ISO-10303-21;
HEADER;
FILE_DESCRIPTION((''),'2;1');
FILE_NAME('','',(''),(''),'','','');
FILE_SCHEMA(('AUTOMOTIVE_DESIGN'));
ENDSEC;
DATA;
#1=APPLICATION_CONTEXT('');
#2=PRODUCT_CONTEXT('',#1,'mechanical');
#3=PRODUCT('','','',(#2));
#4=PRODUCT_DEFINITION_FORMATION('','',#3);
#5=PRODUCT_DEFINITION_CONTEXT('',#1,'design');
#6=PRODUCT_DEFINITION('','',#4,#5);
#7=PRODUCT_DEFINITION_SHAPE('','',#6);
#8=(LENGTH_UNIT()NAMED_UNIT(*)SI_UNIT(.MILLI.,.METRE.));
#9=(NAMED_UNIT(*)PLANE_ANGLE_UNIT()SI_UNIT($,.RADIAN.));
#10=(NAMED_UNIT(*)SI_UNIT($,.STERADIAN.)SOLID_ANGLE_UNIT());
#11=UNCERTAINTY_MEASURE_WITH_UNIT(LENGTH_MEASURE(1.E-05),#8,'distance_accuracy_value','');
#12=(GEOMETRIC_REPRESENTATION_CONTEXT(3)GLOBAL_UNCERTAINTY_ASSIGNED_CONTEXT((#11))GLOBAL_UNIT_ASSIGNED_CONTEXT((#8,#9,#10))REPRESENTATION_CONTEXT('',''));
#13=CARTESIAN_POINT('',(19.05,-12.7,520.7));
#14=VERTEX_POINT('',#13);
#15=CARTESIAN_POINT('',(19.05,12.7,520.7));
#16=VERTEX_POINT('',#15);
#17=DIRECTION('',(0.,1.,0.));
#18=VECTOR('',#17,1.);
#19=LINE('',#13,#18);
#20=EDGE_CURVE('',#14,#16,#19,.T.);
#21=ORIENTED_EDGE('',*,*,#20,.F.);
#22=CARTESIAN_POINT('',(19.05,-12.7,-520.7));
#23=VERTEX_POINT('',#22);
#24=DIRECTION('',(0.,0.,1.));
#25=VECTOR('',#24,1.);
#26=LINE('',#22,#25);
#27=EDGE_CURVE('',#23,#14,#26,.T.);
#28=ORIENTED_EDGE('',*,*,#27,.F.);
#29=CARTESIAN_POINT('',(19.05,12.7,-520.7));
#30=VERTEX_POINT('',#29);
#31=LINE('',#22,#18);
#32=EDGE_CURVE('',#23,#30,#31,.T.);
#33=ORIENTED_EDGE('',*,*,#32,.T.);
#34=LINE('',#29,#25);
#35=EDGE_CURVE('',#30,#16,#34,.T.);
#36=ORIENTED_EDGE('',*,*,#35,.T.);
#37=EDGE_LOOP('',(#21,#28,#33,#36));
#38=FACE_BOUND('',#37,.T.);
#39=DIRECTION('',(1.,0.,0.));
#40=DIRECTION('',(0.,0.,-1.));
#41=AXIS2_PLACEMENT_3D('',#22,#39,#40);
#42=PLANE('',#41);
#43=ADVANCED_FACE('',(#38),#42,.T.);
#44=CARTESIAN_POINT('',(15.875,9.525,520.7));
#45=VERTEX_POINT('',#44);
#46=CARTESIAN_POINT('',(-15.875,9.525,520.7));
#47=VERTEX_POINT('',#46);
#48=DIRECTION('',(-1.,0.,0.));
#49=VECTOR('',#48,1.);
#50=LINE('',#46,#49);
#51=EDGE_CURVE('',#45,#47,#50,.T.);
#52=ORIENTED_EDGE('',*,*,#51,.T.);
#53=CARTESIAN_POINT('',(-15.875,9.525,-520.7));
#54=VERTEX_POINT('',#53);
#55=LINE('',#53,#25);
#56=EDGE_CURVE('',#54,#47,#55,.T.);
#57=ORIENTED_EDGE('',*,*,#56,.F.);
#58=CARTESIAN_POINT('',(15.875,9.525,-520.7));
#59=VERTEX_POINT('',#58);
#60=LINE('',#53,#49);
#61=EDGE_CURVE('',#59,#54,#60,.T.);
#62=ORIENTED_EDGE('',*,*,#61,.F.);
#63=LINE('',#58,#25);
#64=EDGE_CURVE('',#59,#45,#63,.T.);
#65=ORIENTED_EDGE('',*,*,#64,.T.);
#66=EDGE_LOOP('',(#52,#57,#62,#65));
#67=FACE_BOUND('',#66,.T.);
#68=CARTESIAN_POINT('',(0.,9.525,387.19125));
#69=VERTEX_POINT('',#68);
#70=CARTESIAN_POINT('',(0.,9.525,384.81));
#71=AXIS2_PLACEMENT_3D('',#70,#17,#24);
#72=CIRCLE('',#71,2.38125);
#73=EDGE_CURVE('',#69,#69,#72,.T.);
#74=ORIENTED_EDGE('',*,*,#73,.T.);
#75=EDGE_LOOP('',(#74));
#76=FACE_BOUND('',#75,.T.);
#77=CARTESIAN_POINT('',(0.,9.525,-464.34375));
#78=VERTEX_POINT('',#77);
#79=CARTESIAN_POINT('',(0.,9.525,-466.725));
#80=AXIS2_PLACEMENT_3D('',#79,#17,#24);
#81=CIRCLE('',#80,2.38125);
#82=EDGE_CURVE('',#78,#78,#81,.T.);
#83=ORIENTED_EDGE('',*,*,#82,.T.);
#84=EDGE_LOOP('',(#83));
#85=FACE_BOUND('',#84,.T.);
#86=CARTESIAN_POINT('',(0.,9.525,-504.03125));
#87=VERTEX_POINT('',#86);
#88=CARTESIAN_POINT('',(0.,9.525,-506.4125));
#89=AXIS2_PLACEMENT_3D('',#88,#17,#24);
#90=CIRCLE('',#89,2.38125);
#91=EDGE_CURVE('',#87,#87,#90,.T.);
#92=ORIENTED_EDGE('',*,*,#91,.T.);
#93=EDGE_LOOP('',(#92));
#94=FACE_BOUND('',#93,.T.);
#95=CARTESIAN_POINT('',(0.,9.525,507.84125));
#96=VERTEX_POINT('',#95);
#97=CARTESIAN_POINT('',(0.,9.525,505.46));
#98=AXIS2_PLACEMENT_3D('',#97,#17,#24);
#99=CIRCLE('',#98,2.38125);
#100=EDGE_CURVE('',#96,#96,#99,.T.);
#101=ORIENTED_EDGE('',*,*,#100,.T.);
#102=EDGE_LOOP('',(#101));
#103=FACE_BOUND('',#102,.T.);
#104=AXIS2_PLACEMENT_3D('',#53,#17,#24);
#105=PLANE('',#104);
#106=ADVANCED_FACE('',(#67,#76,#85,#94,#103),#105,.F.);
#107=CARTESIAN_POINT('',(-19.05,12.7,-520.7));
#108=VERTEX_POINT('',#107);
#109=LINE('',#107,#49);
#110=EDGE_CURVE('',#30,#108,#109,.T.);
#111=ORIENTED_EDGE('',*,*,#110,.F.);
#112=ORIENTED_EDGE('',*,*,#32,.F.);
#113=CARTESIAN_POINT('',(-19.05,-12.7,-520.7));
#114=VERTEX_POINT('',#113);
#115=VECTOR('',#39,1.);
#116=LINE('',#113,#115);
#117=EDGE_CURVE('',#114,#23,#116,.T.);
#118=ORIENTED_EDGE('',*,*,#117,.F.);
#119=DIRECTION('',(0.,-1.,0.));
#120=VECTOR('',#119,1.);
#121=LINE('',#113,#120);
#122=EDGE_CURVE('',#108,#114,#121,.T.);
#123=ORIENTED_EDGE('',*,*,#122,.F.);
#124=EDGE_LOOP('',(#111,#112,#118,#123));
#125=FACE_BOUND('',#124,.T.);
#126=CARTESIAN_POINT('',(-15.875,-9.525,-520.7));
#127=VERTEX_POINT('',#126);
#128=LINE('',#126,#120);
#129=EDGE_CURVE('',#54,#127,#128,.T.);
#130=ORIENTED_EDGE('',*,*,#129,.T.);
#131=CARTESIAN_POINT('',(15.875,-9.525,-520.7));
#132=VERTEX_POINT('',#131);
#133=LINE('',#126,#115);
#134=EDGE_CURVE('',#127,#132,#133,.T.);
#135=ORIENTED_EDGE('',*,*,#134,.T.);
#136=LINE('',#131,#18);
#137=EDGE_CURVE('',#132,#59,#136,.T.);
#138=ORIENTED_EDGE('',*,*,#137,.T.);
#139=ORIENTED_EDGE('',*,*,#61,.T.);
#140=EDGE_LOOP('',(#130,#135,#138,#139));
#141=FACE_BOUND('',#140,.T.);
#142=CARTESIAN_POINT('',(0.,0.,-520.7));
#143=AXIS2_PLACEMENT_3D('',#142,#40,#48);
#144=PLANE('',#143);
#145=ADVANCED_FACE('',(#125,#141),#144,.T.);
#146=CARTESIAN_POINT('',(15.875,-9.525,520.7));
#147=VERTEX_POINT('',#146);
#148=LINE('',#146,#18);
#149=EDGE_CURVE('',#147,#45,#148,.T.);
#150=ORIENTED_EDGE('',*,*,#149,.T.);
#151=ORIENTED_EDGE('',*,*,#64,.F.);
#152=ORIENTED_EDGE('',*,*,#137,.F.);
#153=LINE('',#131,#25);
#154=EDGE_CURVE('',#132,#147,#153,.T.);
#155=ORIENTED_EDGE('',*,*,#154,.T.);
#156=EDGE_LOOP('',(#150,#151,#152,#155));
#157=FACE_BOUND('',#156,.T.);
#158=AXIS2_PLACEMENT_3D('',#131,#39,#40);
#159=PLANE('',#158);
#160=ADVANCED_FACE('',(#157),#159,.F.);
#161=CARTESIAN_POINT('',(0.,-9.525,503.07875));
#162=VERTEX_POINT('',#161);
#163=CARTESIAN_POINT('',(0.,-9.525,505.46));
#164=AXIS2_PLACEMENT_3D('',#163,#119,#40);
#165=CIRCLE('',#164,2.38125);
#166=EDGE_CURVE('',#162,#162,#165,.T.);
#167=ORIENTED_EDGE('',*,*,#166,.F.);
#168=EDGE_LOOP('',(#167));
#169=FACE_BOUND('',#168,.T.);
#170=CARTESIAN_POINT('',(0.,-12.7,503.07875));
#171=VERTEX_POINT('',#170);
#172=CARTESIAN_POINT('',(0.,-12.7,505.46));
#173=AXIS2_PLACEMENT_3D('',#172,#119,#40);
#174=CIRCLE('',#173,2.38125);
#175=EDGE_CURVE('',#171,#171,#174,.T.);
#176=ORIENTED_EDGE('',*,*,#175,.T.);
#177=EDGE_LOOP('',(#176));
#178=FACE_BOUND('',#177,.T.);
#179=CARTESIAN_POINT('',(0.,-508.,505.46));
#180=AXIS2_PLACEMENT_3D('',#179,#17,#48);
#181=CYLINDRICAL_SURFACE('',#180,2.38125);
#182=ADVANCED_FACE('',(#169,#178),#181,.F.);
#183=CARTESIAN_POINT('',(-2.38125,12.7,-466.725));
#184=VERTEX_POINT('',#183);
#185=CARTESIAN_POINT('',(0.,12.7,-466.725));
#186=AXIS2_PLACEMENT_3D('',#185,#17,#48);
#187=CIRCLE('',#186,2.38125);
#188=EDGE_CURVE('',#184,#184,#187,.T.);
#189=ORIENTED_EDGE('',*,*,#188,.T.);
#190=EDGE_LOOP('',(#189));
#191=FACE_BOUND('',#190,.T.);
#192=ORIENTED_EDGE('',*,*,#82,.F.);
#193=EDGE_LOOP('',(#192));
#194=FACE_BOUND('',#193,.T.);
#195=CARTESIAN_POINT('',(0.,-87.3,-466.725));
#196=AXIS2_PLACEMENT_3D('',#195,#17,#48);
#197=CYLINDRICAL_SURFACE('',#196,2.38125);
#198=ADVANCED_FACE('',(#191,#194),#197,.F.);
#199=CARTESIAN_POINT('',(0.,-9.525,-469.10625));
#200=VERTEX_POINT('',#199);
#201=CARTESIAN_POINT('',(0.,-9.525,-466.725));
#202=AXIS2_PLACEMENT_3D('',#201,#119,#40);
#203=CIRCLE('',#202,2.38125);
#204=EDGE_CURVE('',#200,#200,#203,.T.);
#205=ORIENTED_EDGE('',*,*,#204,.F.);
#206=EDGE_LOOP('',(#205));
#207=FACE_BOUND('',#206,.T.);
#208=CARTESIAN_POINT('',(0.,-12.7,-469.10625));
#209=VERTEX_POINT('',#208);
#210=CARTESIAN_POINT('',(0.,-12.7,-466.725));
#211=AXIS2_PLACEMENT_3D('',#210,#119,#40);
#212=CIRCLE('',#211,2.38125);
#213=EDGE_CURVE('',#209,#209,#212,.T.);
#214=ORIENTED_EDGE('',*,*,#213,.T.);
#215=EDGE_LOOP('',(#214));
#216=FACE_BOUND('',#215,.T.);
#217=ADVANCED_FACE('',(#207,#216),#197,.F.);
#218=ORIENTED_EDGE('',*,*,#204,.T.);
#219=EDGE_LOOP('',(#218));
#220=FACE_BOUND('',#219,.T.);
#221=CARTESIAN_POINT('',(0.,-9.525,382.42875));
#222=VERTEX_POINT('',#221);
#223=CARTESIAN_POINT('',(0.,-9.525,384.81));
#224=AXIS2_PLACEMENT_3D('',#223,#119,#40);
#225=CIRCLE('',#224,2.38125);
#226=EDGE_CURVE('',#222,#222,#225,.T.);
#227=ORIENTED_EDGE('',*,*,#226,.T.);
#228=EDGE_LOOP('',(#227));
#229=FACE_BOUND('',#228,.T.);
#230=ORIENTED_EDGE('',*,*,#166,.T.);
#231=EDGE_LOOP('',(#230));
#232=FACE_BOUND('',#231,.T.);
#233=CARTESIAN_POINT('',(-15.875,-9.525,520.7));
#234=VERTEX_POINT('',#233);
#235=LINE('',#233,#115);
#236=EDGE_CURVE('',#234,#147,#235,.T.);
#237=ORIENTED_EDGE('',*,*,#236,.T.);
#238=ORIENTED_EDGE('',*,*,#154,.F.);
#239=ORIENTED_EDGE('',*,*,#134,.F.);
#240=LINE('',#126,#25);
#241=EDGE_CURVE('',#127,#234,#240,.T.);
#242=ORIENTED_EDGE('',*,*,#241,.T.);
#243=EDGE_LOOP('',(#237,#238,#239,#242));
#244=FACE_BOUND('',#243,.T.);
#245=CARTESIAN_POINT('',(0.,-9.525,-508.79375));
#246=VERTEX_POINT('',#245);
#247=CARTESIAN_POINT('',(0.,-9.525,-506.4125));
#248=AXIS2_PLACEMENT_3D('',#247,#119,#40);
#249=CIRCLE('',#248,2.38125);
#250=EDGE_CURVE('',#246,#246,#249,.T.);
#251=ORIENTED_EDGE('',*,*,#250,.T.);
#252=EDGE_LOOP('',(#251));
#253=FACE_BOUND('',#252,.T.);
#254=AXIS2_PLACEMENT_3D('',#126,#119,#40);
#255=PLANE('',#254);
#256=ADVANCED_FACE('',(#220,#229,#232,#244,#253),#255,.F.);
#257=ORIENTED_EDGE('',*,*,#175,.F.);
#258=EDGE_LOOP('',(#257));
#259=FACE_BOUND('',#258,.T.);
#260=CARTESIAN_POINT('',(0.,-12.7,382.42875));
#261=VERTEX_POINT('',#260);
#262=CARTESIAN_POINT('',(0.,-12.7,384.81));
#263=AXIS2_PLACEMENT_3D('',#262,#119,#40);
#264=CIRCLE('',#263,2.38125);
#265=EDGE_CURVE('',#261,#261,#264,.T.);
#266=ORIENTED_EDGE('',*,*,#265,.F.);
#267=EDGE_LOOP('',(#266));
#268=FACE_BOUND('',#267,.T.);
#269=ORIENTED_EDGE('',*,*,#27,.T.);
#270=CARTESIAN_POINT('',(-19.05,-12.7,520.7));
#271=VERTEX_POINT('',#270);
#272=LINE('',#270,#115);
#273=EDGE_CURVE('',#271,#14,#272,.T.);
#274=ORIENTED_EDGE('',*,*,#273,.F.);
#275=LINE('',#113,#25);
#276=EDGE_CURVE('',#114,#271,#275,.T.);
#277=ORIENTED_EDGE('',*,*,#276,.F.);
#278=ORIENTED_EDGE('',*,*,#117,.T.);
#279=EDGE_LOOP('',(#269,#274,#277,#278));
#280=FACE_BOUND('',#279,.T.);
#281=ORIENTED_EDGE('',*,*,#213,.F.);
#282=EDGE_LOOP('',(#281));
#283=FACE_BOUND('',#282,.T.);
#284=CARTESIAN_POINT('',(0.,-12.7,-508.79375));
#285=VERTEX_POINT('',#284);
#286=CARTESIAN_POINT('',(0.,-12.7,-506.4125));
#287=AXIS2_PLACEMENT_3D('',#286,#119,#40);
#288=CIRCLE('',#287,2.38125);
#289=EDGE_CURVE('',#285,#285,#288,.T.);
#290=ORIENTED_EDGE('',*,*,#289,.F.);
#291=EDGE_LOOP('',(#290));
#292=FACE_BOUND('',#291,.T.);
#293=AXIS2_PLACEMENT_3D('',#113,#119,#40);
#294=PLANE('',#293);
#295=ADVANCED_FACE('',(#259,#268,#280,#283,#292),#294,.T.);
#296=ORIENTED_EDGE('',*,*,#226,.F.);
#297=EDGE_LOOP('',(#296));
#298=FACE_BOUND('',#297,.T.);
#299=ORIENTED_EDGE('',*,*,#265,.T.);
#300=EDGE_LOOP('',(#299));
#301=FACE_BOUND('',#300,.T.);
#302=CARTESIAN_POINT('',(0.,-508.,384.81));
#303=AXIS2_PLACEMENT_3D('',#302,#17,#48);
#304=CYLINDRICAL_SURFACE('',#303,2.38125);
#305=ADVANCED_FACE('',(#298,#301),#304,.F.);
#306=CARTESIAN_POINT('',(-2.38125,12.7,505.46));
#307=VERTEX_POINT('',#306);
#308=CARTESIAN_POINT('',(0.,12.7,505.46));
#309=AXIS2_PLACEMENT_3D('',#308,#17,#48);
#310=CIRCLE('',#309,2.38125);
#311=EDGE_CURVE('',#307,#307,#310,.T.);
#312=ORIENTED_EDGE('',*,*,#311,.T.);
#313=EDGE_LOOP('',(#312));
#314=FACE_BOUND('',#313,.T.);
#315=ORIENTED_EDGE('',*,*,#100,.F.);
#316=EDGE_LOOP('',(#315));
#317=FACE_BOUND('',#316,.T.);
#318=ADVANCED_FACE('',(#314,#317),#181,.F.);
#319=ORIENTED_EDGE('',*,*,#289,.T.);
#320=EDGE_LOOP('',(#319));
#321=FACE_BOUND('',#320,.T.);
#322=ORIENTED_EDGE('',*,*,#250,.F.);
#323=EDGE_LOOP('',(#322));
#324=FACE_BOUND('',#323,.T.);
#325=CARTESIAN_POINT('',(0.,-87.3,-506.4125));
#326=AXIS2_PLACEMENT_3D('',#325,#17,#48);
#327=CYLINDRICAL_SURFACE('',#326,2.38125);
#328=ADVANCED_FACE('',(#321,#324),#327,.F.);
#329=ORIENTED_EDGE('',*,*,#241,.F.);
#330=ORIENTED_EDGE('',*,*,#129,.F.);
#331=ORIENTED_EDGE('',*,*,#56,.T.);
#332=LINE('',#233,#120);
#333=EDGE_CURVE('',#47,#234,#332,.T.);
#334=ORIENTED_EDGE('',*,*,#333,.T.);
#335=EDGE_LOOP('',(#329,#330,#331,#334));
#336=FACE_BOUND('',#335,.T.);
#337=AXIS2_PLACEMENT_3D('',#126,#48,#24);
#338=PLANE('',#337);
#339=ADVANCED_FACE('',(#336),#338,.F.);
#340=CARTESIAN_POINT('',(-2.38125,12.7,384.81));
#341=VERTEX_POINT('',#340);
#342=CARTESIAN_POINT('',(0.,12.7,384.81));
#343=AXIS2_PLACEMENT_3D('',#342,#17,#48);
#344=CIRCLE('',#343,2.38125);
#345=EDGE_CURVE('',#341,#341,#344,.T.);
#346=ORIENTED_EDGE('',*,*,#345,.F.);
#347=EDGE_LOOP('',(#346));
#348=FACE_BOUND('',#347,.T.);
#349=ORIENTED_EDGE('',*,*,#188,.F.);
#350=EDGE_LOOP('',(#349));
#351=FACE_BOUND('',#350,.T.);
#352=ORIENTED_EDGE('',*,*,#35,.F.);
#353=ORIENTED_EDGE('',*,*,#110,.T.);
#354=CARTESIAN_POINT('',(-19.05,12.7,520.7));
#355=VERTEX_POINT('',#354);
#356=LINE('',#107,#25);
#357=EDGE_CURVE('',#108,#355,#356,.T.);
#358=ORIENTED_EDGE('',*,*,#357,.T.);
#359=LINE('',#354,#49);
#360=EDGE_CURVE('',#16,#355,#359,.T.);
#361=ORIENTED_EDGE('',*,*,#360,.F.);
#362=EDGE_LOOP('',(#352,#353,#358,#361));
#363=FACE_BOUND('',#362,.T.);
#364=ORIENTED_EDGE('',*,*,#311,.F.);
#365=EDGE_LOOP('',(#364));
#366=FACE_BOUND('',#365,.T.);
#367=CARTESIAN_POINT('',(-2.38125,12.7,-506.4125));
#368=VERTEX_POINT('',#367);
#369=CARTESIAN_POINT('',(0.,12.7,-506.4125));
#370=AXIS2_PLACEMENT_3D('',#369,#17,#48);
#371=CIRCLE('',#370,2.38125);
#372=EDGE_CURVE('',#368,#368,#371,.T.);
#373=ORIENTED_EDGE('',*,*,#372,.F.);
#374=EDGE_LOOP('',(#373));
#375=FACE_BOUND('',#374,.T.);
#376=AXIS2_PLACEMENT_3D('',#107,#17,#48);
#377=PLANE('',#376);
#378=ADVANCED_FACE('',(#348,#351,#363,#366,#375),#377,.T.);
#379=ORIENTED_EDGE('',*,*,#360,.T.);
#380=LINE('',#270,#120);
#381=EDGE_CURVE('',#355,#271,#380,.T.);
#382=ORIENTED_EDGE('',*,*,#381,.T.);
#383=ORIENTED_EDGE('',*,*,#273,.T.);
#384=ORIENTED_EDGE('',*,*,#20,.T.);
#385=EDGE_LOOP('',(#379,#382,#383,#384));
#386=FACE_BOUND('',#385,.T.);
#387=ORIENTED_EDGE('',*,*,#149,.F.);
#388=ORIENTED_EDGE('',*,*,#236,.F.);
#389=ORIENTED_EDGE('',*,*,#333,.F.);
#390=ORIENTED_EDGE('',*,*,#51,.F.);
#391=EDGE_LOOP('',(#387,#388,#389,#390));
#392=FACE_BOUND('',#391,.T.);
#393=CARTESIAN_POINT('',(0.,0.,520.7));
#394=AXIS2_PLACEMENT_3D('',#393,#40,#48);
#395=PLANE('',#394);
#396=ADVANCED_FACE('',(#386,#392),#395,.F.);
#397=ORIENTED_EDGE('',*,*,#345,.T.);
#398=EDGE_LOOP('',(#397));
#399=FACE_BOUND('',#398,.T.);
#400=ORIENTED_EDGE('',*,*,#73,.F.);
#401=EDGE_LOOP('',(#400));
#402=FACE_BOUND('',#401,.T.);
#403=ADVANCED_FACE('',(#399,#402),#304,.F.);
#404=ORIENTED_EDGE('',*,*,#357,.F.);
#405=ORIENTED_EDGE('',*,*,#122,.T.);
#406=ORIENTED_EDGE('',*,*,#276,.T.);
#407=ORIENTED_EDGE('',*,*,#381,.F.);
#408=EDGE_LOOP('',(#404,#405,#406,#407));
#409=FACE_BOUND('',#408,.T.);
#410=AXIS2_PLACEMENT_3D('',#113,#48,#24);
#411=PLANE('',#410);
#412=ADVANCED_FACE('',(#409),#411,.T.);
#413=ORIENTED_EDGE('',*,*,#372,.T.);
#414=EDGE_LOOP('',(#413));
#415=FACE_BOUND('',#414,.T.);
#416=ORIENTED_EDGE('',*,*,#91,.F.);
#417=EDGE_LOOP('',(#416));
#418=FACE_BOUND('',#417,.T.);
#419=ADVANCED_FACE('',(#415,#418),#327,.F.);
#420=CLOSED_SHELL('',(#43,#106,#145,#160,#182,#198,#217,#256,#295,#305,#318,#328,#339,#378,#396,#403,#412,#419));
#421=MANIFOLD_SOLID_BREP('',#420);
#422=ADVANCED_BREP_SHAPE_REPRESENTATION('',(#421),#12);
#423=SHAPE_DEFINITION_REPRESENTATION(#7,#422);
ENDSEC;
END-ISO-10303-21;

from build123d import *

# Parameters (mm, degrees)
BOSS_EXTRUDE1_DEPTH      = 520.7
BOSS_EXTRUDE1_DEPTH_BACK = 520.7
SKETCH1_W                = 38.1
SKETCH1_H                = 25.4
SKETCH1_W_2              = 31.75
SKETCH1_H_2              = 19.05
SKETCH2_R                = 2.38125
CUT_EXTRUDE1_DEPTH       = 520.7
SKETCH3_R                = 2.38125
CUT_EXTRUDE2_DEPTH       = 100


with BuildPart() as part:
    # Sketch1 → Boss-Extrude1 (new, two sides: drawn at the far end of the back side and taken through both)
    with BuildSketch(Plane.XY.offset(-BOSS_EXTRUDE1_DEPTH_BACK)):
        Rectangle(SKETCH1_W, SKETCH1_H)
        Rectangle(SKETCH1_W_2, SKETCH1_H_2, mode=Mode.SUBTRACT)
    extrude(amount=BOSS_EXTRUDE1_DEPTH + BOSS_EXTRUDE1_DEPTH_BACK)

    # Sketch2 → Cut-Extrude1 (cut)
    with BuildSketch(Plane(origin=(0, 12.7, 0), x_dir=(1, 0, 0), z_dir=(0, 1, 0))):
        with Locations(Location((0, -384.81, 0), (0, 0, 180))):
            Circle(SKETCH2_R)
        with Locations(Location((0, -505.46, 0), (0, 0, 180))):
            Circle(SKETCH2_R)
    extrude(amount=-CUT_EXTRUDE1_DEPTH, mode=Mode.SUBTRACT)

    # Sketch3 → Cut-Extrude2 (cut)
    with BuildSketch(Plane(origin=(0, 12.7, 0), x_dir=(1, 0, 0), z_dir=(0, 1, 0))):
        with Locations(Location((0, 506.4125, 0), (0, 0, 180))):
            Circle(SKETCH3_R)
        with Locations(Location((0, 466.725, 0), (0, 0, 180))):
            Circle(SKETCH3_R)
    extrude(amount=-CUT_EXTRUDE2_DEPTH, mode=Mode.SUBTRACT)


solid = part.part
